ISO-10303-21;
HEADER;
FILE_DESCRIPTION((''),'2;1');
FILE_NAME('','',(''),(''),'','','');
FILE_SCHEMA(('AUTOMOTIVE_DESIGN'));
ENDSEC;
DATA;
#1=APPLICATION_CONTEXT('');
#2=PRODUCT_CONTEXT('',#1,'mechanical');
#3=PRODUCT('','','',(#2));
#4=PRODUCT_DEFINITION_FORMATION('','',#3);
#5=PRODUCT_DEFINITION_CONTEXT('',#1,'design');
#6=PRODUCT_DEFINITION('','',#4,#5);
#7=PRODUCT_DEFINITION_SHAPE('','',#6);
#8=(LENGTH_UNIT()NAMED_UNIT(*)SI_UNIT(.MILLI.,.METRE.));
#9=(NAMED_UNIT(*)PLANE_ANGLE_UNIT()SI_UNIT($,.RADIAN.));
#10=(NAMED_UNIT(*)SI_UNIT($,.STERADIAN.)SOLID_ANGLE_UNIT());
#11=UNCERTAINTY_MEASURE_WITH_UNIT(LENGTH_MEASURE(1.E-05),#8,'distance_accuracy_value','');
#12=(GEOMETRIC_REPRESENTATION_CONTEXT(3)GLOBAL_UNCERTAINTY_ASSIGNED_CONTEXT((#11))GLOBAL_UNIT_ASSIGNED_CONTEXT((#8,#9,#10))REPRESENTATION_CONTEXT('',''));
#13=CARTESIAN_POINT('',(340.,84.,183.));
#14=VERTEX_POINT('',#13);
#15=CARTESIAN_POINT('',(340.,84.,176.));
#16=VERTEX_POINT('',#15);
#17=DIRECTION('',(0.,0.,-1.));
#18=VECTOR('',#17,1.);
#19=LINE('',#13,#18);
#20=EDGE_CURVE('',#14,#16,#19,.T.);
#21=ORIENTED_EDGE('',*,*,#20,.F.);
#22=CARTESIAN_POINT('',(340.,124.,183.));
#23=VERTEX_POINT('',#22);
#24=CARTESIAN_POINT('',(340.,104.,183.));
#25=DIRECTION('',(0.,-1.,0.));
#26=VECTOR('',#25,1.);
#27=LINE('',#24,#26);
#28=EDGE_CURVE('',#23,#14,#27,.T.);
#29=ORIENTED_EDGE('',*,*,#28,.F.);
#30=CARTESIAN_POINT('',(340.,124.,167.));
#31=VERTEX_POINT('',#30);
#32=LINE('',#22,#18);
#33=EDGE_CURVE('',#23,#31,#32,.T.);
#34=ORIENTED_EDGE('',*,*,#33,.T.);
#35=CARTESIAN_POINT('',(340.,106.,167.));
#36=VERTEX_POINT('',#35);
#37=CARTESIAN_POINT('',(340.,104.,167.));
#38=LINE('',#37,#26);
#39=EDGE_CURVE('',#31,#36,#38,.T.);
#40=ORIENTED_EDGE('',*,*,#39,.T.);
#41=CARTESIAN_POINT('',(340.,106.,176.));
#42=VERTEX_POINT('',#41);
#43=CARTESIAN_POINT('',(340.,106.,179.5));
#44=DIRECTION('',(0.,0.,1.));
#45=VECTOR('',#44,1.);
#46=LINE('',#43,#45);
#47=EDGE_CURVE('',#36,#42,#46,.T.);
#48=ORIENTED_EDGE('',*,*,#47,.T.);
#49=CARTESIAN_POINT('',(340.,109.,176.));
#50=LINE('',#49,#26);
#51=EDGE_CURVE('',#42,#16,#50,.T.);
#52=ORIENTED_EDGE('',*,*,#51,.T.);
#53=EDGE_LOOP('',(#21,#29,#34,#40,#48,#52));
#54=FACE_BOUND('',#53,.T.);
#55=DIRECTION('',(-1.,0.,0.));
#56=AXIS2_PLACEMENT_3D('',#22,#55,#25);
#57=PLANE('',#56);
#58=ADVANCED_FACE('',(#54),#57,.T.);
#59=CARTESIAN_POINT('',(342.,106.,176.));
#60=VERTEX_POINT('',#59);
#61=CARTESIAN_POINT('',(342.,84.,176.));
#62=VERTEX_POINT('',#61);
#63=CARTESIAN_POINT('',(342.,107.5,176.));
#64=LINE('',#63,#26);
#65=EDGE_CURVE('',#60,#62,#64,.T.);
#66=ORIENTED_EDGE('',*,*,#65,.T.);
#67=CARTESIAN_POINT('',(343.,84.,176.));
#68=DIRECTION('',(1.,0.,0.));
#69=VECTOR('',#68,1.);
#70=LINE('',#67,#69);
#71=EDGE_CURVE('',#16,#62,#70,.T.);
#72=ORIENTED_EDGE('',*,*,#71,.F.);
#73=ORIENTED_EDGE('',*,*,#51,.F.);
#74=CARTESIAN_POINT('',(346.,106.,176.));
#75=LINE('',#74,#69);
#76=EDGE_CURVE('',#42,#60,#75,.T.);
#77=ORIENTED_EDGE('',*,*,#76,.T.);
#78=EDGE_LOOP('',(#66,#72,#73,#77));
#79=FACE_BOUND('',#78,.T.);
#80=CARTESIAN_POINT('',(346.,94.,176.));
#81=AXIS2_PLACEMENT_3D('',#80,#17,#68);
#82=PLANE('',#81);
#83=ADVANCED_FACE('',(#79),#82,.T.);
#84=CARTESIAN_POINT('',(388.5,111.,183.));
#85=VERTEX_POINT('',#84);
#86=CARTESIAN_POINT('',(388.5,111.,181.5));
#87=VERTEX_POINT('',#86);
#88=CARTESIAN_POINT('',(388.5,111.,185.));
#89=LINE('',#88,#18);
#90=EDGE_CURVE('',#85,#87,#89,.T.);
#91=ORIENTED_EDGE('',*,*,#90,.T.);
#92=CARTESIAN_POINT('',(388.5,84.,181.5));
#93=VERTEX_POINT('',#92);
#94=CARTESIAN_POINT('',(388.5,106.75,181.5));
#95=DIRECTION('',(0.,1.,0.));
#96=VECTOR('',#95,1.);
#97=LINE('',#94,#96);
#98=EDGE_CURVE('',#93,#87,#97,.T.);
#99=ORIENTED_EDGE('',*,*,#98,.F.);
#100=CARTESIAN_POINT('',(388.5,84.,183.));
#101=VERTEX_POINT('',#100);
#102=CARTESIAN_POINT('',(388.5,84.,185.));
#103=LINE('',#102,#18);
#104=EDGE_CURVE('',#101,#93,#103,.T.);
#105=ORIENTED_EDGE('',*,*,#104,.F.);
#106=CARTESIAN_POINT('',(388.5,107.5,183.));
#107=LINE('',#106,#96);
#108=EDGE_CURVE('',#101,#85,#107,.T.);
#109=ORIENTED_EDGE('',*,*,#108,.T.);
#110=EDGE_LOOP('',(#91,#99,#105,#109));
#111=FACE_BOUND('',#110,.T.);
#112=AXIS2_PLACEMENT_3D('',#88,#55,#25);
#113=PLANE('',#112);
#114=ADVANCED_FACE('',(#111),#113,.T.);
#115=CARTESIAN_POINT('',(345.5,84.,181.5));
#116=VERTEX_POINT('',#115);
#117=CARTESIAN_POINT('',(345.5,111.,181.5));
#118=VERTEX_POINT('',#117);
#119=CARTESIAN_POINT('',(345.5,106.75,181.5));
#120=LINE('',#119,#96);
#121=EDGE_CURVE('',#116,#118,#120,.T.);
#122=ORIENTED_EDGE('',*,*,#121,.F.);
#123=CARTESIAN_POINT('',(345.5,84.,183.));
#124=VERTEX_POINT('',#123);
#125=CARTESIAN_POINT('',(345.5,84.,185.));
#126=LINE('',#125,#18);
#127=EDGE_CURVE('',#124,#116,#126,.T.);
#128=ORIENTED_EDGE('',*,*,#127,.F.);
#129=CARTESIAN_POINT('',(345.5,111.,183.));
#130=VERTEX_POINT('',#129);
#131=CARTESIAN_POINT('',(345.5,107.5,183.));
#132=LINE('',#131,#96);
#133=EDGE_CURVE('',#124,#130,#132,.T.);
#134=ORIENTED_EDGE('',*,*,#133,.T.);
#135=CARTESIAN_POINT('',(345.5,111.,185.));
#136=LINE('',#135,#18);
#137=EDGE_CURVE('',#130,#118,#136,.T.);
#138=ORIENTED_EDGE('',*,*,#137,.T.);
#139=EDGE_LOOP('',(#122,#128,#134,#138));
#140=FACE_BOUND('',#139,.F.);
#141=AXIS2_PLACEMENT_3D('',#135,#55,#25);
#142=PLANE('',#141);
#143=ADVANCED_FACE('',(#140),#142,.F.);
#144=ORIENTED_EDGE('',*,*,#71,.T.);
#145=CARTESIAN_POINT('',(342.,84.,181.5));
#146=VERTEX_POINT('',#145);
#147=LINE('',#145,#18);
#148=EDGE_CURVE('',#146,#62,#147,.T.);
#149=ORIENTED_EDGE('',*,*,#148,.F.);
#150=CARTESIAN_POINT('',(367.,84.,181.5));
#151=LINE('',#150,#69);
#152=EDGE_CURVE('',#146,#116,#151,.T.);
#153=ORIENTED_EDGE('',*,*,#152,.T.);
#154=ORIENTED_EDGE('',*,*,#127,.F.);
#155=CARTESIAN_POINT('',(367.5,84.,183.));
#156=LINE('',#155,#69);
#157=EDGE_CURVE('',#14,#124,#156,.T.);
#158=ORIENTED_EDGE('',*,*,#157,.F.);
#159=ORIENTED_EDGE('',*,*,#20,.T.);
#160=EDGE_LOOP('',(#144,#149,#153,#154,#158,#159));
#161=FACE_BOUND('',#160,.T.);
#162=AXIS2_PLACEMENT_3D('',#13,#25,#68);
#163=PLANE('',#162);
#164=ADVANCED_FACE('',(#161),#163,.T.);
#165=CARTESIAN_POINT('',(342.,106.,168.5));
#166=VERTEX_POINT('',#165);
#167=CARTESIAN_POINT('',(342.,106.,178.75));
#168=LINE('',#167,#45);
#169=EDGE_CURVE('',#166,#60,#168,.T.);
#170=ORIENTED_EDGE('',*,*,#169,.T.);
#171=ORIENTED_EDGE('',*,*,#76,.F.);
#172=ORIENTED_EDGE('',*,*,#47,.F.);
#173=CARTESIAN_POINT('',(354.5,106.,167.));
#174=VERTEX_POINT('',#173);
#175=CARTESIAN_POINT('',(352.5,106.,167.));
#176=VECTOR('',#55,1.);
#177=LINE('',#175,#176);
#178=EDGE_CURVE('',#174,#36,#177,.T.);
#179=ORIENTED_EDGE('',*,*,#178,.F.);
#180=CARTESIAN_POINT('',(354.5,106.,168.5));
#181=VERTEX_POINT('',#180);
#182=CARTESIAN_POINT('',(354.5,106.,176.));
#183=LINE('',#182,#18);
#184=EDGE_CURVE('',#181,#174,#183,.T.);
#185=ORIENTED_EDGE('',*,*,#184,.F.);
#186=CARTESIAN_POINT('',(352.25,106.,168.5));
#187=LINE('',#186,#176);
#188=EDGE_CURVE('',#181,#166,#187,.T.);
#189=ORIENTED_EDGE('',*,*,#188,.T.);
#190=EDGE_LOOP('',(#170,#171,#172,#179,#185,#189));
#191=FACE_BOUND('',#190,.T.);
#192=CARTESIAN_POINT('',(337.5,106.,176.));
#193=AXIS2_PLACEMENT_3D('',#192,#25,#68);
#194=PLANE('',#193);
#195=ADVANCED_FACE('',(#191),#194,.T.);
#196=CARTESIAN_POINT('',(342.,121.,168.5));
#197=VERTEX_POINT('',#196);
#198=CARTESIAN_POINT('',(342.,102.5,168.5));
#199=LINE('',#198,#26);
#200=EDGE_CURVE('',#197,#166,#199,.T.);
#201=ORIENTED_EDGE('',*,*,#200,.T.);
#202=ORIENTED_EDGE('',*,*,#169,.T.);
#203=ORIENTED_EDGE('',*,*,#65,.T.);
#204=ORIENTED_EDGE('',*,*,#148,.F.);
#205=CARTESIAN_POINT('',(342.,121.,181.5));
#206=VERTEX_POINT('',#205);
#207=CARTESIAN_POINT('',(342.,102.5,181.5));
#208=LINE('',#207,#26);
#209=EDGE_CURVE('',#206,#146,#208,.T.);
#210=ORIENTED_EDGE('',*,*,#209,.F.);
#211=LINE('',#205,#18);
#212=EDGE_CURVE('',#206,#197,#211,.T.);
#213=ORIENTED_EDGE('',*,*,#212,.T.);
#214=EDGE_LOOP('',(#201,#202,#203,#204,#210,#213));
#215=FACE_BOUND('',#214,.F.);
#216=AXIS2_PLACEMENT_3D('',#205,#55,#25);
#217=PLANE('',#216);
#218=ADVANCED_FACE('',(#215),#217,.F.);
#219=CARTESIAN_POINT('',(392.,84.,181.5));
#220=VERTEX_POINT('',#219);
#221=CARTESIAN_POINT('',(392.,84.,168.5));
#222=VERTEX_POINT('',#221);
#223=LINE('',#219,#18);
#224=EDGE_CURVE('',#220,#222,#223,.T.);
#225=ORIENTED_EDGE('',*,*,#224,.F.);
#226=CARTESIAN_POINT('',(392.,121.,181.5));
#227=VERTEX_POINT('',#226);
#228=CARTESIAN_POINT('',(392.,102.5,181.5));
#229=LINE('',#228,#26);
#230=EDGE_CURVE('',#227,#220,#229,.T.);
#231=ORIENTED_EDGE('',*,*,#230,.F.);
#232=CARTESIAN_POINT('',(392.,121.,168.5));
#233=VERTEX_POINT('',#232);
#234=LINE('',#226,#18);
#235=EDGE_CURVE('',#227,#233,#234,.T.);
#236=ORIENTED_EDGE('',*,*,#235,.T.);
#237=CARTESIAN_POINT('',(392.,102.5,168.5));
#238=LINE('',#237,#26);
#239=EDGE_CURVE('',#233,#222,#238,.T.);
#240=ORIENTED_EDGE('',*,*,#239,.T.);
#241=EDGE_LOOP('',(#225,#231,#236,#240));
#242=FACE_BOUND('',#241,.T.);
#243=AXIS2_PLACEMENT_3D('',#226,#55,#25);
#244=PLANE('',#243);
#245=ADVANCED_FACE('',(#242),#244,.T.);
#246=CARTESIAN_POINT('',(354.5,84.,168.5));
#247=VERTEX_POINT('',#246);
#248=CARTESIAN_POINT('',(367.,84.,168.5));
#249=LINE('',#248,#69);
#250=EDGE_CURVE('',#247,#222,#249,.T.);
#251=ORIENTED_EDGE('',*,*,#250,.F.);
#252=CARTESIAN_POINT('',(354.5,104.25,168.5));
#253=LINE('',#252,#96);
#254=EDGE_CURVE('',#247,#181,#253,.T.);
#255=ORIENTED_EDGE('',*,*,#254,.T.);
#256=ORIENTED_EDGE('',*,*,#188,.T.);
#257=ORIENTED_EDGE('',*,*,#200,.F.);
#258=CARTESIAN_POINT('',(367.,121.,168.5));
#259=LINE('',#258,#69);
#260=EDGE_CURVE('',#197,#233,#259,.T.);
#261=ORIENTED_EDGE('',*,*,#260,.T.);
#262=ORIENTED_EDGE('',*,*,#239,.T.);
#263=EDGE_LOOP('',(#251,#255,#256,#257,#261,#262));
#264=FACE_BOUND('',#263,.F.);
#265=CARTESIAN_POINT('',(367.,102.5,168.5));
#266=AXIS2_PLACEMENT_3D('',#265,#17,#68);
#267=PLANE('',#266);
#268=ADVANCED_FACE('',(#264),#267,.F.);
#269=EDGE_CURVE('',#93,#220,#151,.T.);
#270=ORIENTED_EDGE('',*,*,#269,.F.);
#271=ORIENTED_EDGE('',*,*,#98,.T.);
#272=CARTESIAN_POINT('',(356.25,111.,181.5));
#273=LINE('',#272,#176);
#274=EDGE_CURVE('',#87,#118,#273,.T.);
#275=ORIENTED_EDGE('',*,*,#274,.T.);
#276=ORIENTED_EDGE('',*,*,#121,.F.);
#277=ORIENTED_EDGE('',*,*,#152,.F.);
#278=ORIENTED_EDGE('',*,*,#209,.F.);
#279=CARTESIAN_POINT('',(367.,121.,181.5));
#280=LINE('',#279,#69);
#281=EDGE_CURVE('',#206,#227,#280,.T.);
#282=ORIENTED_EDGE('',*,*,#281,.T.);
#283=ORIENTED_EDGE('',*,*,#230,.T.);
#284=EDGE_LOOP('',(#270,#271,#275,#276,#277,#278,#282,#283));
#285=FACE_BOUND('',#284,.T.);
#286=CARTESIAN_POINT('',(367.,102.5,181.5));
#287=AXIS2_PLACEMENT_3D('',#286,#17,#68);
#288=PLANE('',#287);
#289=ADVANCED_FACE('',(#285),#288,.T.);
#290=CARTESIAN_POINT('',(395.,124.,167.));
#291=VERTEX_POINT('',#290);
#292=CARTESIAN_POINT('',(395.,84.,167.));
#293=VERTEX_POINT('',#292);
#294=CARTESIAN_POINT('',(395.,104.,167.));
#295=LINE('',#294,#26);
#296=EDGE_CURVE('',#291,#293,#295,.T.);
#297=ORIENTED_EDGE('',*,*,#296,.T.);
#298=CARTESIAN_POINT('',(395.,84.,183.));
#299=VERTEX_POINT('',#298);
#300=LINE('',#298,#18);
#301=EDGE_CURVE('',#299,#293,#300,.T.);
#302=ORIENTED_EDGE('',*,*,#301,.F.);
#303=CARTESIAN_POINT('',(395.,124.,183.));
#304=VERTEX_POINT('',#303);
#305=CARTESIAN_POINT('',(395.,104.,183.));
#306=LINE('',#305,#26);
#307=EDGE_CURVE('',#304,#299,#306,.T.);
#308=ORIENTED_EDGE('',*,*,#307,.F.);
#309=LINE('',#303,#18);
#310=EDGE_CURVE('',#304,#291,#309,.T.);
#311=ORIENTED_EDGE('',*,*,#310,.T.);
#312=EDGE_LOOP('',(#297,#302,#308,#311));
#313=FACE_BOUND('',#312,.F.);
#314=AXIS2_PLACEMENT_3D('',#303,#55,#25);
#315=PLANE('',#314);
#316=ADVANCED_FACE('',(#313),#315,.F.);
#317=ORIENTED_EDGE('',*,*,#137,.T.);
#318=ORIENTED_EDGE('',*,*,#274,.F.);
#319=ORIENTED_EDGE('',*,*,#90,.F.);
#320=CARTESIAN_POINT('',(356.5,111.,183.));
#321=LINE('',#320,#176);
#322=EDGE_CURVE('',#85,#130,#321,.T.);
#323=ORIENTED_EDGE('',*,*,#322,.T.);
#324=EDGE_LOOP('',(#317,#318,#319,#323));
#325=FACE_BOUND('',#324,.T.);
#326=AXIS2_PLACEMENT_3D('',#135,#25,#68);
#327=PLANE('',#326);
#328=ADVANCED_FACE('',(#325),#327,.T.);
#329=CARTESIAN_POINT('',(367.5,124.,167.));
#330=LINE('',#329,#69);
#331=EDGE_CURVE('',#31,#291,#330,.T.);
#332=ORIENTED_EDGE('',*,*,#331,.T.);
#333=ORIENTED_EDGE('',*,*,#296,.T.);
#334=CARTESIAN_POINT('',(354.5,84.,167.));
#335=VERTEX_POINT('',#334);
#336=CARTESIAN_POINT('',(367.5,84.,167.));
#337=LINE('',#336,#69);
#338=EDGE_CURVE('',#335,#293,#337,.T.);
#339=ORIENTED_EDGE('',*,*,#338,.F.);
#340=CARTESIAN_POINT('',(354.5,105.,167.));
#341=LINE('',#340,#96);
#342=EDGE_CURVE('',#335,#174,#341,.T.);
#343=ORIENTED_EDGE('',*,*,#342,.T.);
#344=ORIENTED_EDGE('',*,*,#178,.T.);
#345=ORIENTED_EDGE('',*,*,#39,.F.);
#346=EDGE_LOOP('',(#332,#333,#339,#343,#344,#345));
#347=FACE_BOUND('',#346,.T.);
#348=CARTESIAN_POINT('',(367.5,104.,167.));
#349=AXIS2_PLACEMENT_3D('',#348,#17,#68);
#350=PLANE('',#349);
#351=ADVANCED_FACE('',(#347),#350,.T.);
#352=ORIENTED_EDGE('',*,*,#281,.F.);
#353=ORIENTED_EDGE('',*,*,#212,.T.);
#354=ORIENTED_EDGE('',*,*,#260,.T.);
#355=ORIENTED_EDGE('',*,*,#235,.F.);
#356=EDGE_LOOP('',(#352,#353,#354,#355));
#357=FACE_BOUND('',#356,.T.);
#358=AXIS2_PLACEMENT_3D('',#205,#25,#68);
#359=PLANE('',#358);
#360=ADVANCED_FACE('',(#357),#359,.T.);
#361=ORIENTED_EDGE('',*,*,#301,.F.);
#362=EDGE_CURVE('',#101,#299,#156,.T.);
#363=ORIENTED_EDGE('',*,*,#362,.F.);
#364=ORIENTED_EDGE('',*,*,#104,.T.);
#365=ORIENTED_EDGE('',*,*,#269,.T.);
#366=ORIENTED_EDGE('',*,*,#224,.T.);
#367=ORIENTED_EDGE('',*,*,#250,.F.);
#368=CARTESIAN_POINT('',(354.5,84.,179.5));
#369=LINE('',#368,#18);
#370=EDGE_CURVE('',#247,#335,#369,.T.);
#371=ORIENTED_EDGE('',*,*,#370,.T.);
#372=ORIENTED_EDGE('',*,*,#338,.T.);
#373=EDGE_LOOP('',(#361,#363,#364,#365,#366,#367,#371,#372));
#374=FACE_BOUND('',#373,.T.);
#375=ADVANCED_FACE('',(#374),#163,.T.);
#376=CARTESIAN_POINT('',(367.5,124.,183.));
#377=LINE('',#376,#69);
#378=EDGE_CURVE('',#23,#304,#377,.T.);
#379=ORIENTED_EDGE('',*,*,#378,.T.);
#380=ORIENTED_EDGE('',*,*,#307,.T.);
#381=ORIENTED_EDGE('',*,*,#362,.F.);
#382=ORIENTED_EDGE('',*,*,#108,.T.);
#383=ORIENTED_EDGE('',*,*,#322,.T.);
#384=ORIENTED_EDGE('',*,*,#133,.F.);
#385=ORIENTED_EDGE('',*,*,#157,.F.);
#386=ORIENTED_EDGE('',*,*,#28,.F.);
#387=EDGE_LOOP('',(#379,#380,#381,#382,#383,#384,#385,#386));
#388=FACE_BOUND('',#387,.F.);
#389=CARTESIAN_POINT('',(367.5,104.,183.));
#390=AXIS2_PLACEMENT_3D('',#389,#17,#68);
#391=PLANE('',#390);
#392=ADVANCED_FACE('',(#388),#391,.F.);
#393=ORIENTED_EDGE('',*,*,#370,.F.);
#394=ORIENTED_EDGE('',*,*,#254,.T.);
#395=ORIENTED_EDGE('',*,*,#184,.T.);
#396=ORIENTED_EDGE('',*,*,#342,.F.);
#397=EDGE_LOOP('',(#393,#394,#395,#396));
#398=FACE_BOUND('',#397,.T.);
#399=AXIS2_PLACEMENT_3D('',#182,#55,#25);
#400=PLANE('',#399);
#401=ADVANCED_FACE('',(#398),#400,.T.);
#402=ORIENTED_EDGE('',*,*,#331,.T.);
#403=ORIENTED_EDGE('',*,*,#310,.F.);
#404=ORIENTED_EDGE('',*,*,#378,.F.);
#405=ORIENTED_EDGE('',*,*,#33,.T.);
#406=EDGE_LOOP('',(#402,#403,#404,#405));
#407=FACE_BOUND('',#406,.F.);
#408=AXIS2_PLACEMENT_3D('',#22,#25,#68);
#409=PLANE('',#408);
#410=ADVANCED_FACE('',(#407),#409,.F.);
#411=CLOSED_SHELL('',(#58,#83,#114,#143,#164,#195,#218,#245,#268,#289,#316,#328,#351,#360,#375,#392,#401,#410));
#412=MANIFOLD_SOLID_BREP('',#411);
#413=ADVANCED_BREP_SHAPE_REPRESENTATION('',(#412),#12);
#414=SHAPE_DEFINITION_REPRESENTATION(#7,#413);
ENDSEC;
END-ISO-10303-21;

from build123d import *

# Parameters (mm, degrees)
BOX138_W     = 17
BOX138_H     = 24
BOX138_DEPTH = 11
BOX137_W     = 43
BOX137_H     = 27
BOX137_DEPTH = 11
BOX136_W     = 50
BOX136_H     = 37
BOX136_DEPTH = 13
BOX135_W     = 55
BOX135_H     = 40
BOX135_DEPTH = 16


with BuildPart() as cube060:
    # Box138 → Box138 (new body)
    with BuildSketch(Plane(origin=(337.5, 106, 176), x_dir=(1, 0, 0), z_dir=(0, 0, -1))):
        with Locations((8.5, 12)):
            Rectangle(BOX138_W, BOX138_H)
    extrude(amount=BOX138_DEPTH)


with BuildPart() as cube059:
    # Box137 → Box137 (new body)
    with BuildSketch(Plane(origin=(345.5, 111, 185), x_dir=(1, 0, 0), z_dir=(0, 0, -1))):
        with Locations((21.5, 13.5)):
            Rectangle(BOX137_W, BOX137_H)
    extrude(amount=BOX137_DEPTH)


with BuildPart() as cube058:
    # Box136 → Box136 (new body)
    with BuildSketch(Plane(origin=(342, 121, 181.5), x_dir=(1, 0, 0), z_dir=(0, 0, -1))):
        with Locations((25, 18.5)):
            Rectangle(BOX136_W, BOX136_H)
    extrude(amount=BOX136_DEPTH)


with BuildPart() as cut026:
    # Box135 → Box135 (new body)
    with BuildSketch(Plane(origin=(340, 124, 183), x_dir=(1, 0, 0), z_dir=(0, 0, -1))):
        with Locations((27.5, 20)):
            Rectangle(BOX135_W, BOX135_H)
    extrude(amount=BOX135_DEPTH)

    # Cut024: cut Cube058
    add(cube058.part, mode=Mode.SUBTRACT)

    # Cut025: cut Cube059
    add(cube059.part, mode=Mode.SUBTRACT)

    # Cut026: cut Cube060
    add(cube060.part, mode=Mode.SUBTRACT)


solid = cut026.part
